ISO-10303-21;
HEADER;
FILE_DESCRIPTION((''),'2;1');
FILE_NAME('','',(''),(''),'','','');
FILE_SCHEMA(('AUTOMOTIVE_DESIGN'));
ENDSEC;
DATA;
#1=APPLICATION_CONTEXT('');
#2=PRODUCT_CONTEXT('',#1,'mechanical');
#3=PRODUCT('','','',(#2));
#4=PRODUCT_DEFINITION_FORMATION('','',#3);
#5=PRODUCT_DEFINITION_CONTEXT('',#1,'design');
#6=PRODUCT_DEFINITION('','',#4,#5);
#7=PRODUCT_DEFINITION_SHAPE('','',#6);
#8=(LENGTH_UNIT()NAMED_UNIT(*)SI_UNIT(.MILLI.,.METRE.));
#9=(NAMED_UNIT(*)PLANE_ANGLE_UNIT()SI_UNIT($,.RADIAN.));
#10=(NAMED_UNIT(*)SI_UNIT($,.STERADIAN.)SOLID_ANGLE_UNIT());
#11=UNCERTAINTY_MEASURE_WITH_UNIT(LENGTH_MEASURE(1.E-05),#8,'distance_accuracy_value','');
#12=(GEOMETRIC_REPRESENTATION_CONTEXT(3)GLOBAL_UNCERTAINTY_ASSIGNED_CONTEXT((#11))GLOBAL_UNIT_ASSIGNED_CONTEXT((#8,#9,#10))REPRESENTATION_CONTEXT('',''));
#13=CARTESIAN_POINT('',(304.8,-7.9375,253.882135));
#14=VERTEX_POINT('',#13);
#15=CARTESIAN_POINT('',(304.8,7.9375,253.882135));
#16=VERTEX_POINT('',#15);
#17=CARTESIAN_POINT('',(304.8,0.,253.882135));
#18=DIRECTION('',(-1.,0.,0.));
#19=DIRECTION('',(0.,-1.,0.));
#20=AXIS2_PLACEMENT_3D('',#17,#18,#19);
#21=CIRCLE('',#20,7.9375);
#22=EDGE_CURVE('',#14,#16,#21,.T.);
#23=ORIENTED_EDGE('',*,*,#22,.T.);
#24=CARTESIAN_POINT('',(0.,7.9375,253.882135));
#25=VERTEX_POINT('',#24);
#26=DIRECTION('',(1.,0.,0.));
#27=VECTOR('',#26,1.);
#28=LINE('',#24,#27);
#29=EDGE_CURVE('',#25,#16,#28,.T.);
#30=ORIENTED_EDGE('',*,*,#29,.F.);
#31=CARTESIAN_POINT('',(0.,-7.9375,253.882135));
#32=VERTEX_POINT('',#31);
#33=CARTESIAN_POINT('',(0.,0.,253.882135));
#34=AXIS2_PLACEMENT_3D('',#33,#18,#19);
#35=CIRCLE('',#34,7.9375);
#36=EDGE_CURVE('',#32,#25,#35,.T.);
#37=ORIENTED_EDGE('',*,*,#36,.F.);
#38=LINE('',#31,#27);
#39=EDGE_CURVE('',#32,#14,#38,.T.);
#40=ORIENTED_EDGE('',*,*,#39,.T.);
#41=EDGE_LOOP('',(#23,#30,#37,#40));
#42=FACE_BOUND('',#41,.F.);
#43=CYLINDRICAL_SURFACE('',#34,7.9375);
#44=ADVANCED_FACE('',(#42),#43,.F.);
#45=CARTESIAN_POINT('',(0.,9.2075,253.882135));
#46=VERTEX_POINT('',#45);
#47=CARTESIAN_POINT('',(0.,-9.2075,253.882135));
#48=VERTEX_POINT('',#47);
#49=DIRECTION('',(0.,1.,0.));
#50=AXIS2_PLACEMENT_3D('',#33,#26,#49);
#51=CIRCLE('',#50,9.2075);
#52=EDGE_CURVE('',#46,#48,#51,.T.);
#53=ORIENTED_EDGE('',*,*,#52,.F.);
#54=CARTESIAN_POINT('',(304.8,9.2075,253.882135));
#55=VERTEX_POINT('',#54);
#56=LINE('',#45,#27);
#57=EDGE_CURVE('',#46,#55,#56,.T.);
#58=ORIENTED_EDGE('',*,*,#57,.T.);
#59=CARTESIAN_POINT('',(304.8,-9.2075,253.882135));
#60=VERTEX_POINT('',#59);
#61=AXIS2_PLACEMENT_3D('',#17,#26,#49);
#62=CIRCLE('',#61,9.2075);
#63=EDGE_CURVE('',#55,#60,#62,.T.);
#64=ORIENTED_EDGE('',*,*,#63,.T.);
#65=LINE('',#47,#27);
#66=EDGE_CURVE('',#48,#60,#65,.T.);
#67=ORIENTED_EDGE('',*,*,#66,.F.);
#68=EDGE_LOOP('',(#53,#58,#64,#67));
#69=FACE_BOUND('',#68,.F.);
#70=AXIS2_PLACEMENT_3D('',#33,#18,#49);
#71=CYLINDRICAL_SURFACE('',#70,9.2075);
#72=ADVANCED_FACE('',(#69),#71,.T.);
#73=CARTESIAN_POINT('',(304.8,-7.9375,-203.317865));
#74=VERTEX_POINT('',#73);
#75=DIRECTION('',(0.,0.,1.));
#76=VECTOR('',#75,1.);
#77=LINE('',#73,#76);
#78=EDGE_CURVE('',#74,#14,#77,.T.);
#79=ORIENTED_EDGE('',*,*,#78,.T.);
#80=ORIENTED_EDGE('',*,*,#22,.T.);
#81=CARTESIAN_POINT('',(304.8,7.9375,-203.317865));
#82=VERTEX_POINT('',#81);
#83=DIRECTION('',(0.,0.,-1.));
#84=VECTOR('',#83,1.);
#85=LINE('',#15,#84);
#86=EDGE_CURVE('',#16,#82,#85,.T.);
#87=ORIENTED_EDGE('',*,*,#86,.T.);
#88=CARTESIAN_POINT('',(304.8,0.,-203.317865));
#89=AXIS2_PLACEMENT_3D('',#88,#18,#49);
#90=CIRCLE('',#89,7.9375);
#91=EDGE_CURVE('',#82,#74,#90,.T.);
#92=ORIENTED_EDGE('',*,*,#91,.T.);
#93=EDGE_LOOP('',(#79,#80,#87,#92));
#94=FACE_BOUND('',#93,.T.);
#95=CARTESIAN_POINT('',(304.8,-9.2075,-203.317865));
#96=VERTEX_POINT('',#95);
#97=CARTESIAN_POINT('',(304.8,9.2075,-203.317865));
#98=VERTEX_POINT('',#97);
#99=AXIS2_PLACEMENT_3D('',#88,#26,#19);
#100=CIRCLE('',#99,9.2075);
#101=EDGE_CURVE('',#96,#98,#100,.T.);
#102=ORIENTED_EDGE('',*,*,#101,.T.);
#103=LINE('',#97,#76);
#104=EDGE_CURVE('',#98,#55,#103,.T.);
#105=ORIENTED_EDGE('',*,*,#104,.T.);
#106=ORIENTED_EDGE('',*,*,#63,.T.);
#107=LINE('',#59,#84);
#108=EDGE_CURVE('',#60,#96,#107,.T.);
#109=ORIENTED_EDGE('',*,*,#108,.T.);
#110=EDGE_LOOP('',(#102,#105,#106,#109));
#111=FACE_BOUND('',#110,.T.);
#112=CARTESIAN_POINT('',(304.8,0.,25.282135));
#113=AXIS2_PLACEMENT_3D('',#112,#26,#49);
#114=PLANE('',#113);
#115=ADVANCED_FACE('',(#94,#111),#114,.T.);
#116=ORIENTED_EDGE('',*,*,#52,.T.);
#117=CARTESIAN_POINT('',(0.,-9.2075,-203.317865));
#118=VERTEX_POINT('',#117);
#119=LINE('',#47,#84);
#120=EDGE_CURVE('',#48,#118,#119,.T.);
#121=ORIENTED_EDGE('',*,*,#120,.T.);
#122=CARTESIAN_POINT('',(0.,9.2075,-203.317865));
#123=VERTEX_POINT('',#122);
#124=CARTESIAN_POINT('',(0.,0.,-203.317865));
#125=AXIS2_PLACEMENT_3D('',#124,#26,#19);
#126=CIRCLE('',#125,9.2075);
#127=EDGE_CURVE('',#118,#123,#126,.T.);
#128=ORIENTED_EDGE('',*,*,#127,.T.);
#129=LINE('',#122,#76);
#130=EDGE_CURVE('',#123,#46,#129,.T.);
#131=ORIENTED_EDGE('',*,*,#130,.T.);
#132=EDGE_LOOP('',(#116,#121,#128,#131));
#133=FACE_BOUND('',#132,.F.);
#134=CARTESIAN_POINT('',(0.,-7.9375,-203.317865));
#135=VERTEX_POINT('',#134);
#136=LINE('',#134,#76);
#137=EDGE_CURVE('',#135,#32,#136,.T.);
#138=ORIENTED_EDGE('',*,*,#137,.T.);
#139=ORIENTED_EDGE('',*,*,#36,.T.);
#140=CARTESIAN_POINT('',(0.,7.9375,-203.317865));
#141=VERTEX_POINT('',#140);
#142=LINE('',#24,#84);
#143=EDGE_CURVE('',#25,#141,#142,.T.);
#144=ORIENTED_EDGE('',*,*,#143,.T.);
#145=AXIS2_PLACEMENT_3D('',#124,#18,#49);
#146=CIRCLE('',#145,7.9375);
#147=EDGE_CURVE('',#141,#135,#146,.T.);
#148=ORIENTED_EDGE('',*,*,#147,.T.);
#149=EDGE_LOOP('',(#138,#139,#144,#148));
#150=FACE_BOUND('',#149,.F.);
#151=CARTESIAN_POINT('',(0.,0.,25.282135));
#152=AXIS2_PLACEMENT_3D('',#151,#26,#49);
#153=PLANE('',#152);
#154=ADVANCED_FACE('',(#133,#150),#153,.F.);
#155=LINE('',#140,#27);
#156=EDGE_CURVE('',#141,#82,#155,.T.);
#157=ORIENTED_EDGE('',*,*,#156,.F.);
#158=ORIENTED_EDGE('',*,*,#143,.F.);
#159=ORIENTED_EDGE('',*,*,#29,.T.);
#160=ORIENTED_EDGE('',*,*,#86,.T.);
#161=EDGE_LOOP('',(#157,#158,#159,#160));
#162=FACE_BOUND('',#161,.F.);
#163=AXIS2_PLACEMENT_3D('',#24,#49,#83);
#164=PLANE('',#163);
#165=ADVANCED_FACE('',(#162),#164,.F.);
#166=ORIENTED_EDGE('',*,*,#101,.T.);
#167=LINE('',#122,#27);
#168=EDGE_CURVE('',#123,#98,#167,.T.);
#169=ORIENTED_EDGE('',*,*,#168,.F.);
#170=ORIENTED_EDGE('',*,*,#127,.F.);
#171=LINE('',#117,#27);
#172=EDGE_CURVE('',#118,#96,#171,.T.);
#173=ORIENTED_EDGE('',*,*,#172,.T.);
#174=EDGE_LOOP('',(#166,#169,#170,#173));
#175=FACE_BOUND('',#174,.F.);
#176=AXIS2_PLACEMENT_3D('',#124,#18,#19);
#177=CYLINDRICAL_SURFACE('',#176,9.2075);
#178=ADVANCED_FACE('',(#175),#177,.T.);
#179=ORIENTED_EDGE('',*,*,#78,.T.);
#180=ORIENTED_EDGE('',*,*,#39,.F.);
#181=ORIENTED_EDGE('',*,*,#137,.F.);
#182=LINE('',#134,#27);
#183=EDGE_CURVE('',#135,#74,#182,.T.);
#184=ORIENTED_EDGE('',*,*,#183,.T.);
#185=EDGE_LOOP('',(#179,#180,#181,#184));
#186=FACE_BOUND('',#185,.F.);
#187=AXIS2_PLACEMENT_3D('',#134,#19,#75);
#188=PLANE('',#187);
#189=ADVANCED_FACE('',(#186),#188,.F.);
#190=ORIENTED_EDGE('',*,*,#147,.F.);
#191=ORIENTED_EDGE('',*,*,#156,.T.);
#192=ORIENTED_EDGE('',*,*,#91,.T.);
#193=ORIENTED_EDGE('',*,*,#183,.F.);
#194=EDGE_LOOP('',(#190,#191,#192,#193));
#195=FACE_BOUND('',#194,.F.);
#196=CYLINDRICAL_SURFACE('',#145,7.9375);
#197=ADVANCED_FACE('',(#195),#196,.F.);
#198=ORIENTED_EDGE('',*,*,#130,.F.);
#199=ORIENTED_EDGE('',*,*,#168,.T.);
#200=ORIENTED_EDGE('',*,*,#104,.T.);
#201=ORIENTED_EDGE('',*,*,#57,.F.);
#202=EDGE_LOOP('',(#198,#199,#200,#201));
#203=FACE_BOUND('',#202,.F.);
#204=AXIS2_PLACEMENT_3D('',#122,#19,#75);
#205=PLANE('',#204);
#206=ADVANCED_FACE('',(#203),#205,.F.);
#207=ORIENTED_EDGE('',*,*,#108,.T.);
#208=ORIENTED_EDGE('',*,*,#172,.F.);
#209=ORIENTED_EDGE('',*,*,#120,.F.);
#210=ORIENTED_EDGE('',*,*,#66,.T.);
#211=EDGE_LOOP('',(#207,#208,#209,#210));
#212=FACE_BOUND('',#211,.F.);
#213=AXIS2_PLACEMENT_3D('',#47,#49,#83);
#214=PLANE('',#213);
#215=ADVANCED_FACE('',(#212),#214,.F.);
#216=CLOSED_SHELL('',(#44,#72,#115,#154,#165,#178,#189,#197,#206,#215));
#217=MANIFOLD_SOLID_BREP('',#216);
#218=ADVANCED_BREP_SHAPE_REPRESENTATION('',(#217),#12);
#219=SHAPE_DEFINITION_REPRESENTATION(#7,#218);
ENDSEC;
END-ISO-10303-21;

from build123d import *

# Parameters (mm, degrees)
F1_DEPTH = 304.8


with BuildPart() as f1:
    # F0 (on Right) → F1 (new body)
    with BuildSketch(Plane.YZ):
        with BuildLine():
            ThreePointArc((9.2075, 253.882135), (0, 263.089635), (-9.2075, 253.882135))
            Line((-9.2075, 253.882135), (-9.2075, -203.317865))
            ThreePointArc((-9.2075, -203.317865), (0, -212.525365), (9.2075, -203.317865))
            Line((9.2075, -203.317865), (9.2075, 253.882135))
        make_face()
        with BuildLine():
            ThreePointArc((-7.9375, 253.882135), (0, 261.819635), (7.9375, 253.882135))
            Line((7.9375, 253.882135), (7.9375, -203.317865))
            ThreePointArc((7.9375, -203.317865), (0, -211.255365), (-7.9375, -203.317865))
            Line((-7.9375, -203.317865), (-7.9375, 253.882135))
        make_face(mode=Mode.SUBTRACT)
    extrude(amount=F1_DEPTH)


solid = f1.part
